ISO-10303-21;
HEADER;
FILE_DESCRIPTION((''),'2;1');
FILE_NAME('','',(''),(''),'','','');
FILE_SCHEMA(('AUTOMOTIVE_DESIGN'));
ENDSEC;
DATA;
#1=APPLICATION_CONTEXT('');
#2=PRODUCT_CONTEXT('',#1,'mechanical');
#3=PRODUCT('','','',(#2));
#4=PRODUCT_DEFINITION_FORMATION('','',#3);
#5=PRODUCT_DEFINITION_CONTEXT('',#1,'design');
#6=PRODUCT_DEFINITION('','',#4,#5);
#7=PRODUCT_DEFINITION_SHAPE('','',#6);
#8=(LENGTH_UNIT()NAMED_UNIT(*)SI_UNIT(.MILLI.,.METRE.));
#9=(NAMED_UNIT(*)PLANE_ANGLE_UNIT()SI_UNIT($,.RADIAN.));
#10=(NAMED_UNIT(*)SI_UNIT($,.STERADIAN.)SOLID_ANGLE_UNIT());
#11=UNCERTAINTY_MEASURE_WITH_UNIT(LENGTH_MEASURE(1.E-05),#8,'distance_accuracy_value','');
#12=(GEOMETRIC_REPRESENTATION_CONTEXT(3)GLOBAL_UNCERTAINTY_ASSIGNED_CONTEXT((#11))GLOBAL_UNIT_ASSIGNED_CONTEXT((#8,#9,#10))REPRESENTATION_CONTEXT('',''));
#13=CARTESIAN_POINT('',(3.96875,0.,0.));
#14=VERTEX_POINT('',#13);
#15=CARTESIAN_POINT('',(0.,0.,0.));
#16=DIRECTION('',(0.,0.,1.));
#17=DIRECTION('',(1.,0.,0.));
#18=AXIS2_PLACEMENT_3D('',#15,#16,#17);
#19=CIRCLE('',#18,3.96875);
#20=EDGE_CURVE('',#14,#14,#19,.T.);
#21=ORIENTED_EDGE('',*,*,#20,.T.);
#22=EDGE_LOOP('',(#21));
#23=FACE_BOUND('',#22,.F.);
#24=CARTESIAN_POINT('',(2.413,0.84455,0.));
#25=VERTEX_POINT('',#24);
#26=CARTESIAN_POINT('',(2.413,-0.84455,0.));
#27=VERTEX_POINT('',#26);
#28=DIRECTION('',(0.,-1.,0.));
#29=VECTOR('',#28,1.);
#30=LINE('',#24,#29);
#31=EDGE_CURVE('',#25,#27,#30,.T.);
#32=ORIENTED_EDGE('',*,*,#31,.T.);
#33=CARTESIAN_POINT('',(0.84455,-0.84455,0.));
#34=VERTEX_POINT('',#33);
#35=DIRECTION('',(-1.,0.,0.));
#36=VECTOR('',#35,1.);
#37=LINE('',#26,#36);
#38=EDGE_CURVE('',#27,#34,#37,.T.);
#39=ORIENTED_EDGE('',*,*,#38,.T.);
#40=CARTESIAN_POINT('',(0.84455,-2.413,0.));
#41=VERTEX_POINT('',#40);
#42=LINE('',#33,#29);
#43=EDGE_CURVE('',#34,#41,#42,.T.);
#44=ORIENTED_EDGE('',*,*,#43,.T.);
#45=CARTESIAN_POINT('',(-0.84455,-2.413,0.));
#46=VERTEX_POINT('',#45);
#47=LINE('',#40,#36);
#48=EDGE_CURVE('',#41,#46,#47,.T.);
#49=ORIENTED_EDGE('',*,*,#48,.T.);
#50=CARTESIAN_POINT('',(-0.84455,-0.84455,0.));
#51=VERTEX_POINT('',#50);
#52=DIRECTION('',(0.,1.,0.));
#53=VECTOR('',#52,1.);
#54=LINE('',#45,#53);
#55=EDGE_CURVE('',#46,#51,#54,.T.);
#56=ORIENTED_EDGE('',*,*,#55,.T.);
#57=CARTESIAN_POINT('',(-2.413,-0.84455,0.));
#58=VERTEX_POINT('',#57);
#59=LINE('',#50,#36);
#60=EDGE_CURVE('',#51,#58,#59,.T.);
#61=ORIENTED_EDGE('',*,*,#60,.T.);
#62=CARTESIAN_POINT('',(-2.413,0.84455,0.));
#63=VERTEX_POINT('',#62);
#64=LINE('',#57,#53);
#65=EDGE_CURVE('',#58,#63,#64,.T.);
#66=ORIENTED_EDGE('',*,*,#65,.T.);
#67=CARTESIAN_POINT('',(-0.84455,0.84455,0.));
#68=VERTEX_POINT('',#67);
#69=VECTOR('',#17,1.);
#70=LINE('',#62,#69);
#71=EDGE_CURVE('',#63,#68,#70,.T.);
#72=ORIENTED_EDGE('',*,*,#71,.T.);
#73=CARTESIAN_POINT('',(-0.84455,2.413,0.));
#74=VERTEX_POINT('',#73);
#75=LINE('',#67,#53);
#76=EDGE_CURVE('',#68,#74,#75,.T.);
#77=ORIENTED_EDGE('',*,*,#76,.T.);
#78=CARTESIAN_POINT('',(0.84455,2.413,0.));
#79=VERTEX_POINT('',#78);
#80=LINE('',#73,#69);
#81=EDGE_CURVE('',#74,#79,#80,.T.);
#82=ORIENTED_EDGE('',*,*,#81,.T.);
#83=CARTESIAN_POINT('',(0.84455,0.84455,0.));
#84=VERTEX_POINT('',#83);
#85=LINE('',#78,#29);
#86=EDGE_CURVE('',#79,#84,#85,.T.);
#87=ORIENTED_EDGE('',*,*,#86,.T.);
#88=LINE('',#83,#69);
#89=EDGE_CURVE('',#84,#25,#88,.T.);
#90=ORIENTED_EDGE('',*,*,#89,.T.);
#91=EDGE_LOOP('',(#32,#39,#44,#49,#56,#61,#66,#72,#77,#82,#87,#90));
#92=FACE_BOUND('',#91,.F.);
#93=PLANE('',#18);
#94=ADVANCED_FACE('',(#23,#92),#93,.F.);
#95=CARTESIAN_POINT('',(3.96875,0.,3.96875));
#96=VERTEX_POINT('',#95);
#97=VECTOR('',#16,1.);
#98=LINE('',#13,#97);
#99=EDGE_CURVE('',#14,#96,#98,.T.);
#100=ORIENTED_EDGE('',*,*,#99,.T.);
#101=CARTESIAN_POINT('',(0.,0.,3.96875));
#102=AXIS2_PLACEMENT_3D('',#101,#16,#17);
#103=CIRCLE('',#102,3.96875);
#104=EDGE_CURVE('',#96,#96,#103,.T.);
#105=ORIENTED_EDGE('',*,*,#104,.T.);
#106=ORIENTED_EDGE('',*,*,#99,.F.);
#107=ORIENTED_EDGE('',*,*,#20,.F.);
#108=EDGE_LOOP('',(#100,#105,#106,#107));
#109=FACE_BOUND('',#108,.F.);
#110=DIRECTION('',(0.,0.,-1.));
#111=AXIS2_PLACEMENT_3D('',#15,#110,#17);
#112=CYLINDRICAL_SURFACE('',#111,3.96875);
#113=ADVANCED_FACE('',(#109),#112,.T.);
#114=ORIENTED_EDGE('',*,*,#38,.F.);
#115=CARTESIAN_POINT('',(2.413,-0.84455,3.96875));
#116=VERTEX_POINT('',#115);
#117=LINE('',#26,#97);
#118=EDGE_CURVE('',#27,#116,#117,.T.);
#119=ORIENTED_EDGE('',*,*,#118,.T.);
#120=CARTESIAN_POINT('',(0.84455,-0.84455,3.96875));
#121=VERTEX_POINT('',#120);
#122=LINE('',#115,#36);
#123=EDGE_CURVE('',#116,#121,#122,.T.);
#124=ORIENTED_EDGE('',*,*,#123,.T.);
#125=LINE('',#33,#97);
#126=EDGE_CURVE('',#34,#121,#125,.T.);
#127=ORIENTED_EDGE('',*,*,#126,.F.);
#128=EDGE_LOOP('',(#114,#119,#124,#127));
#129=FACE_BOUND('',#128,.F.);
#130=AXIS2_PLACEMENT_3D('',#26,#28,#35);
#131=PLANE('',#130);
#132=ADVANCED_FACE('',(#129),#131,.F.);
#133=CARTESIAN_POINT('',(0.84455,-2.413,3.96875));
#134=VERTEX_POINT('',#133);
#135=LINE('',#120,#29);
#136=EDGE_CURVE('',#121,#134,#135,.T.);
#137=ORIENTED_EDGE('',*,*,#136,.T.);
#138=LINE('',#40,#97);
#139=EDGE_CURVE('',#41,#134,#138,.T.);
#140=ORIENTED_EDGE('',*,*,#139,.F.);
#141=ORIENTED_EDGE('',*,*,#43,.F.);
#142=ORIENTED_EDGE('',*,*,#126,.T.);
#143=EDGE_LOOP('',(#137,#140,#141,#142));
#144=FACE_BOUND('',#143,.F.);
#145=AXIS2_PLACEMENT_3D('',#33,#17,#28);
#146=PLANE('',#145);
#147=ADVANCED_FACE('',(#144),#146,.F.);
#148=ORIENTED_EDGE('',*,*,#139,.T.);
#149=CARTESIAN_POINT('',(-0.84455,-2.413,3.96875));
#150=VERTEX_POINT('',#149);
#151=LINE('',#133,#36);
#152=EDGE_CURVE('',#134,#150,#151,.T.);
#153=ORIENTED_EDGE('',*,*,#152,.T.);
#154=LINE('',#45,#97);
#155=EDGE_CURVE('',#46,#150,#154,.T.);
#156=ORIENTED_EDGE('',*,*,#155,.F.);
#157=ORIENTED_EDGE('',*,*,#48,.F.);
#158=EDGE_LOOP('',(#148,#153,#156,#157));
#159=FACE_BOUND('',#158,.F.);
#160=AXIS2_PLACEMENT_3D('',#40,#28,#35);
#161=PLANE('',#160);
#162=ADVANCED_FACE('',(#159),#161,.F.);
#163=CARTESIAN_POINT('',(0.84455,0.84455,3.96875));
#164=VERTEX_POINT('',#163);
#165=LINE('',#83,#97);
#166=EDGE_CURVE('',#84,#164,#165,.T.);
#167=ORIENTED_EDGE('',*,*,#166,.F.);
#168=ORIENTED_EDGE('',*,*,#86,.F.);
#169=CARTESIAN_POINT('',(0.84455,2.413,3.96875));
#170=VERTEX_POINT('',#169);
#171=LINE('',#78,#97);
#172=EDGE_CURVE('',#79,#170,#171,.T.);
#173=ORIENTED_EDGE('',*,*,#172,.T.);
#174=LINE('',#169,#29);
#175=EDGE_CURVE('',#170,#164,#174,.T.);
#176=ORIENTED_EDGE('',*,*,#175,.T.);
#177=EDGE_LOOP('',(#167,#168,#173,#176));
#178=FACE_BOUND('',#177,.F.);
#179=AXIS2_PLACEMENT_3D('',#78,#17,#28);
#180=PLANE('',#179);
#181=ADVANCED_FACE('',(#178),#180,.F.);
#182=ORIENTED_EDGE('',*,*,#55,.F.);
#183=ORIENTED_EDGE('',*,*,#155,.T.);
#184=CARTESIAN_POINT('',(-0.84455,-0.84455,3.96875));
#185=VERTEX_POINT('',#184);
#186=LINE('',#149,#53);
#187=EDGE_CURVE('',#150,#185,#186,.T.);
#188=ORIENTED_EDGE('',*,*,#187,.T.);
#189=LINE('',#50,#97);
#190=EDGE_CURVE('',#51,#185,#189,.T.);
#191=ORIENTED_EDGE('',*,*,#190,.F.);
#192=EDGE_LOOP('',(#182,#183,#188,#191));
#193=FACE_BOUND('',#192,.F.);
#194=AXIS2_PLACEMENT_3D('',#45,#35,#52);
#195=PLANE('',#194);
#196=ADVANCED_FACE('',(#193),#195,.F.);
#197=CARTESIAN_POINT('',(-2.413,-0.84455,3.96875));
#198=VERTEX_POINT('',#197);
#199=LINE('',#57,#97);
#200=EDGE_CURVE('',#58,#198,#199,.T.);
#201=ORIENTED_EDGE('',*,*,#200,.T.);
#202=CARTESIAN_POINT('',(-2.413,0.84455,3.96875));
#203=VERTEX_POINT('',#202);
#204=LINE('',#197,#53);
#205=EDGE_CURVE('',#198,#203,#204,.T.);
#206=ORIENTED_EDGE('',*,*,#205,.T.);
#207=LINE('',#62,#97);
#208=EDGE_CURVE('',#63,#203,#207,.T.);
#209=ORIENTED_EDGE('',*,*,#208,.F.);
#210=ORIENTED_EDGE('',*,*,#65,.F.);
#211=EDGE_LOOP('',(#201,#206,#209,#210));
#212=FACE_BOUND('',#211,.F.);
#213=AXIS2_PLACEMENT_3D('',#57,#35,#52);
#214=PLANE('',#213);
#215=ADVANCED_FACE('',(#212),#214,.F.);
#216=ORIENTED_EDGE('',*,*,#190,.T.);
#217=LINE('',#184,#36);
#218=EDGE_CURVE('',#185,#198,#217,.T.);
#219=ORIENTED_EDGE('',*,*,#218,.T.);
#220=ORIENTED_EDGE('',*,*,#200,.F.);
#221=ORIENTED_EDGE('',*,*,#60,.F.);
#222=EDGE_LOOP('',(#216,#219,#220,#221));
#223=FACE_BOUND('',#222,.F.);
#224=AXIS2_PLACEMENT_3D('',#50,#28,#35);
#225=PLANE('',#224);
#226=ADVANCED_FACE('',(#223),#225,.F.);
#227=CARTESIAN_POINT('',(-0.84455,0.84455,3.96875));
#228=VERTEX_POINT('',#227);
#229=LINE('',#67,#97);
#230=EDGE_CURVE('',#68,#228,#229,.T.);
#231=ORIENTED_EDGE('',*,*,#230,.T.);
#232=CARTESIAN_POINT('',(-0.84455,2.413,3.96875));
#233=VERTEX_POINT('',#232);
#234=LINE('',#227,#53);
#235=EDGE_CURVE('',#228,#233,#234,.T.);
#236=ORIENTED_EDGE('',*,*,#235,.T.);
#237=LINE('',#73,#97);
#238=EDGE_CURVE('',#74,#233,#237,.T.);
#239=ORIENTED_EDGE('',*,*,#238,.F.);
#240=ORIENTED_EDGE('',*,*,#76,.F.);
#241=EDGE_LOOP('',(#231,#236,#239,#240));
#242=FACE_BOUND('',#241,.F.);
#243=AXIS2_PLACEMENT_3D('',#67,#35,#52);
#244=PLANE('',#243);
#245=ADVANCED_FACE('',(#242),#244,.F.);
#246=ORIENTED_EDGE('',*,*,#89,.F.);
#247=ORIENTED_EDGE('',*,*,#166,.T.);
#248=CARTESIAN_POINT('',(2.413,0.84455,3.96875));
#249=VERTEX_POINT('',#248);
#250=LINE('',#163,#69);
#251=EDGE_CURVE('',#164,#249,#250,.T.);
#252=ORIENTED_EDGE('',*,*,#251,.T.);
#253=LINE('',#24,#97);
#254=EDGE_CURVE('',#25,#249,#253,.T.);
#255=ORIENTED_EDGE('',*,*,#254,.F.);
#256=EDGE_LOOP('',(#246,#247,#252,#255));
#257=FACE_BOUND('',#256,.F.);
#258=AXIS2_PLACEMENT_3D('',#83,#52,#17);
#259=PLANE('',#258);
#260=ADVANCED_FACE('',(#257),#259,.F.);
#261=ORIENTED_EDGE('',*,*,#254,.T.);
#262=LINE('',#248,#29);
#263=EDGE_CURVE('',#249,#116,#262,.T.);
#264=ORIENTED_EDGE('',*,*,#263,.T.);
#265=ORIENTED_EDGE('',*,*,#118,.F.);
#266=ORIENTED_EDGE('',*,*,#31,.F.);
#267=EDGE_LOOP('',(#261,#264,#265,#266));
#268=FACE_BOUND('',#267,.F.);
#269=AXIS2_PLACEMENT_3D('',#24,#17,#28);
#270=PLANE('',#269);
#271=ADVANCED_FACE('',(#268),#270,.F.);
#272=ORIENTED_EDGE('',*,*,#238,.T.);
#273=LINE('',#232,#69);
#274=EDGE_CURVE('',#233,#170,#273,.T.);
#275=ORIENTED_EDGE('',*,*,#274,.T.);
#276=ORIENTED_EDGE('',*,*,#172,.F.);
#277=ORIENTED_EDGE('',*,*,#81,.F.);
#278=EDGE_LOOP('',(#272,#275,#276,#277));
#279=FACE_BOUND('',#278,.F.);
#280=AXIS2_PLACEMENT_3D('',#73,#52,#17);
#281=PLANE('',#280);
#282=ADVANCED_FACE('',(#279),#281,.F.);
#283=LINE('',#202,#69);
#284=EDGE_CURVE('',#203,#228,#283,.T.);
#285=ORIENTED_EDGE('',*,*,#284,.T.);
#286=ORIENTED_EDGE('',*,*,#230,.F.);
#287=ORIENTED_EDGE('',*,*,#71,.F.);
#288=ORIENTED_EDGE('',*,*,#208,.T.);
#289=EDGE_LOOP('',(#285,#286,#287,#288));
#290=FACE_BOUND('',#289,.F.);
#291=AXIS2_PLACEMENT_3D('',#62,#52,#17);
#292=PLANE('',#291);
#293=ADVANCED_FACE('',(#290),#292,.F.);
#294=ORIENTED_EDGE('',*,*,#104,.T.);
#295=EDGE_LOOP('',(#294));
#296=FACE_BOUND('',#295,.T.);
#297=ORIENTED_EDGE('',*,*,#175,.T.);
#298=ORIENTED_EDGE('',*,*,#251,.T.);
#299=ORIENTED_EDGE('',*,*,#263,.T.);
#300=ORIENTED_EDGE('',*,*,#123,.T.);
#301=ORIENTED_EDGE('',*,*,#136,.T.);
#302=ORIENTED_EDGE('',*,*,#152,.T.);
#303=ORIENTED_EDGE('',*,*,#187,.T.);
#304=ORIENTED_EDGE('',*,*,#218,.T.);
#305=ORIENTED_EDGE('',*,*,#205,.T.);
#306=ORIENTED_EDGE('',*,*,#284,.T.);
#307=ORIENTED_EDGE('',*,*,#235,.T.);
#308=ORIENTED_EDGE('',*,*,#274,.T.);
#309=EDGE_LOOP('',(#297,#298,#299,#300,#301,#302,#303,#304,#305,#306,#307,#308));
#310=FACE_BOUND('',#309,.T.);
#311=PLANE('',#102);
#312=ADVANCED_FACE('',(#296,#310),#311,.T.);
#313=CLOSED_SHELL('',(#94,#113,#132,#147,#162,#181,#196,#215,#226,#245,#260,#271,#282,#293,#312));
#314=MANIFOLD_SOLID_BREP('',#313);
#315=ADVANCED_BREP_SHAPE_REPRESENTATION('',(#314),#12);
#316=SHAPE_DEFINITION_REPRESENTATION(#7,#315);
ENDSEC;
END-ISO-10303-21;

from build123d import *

# Parameters (mm, degrees)
F0_R     = 3.96875
F1_DEPTH = 3.96875


with BuildPart() as f1:
    # F0 (on Top) → F1 (new body)
    with BuildSketch(Plane.XY):
        Circle(F0_R)
        Polygon((0.84455, 0.84455), (2.413, 0.84455), (2.413, -0.84455), (0.84455, -0.84455), (0.84455, -2.413), (-0.84455, -2.413), (-0.84455, -0.84455), (-2.413, -0.84455), (-2.413, 0.84455), (-0.84455, 0.84455), (-0.84455, 2.413), (0.84455, 2.413), align=None, mode=Mode.SUBTRACT)
    extrude(amount=F1_DEPTH)


solid = f1.part
